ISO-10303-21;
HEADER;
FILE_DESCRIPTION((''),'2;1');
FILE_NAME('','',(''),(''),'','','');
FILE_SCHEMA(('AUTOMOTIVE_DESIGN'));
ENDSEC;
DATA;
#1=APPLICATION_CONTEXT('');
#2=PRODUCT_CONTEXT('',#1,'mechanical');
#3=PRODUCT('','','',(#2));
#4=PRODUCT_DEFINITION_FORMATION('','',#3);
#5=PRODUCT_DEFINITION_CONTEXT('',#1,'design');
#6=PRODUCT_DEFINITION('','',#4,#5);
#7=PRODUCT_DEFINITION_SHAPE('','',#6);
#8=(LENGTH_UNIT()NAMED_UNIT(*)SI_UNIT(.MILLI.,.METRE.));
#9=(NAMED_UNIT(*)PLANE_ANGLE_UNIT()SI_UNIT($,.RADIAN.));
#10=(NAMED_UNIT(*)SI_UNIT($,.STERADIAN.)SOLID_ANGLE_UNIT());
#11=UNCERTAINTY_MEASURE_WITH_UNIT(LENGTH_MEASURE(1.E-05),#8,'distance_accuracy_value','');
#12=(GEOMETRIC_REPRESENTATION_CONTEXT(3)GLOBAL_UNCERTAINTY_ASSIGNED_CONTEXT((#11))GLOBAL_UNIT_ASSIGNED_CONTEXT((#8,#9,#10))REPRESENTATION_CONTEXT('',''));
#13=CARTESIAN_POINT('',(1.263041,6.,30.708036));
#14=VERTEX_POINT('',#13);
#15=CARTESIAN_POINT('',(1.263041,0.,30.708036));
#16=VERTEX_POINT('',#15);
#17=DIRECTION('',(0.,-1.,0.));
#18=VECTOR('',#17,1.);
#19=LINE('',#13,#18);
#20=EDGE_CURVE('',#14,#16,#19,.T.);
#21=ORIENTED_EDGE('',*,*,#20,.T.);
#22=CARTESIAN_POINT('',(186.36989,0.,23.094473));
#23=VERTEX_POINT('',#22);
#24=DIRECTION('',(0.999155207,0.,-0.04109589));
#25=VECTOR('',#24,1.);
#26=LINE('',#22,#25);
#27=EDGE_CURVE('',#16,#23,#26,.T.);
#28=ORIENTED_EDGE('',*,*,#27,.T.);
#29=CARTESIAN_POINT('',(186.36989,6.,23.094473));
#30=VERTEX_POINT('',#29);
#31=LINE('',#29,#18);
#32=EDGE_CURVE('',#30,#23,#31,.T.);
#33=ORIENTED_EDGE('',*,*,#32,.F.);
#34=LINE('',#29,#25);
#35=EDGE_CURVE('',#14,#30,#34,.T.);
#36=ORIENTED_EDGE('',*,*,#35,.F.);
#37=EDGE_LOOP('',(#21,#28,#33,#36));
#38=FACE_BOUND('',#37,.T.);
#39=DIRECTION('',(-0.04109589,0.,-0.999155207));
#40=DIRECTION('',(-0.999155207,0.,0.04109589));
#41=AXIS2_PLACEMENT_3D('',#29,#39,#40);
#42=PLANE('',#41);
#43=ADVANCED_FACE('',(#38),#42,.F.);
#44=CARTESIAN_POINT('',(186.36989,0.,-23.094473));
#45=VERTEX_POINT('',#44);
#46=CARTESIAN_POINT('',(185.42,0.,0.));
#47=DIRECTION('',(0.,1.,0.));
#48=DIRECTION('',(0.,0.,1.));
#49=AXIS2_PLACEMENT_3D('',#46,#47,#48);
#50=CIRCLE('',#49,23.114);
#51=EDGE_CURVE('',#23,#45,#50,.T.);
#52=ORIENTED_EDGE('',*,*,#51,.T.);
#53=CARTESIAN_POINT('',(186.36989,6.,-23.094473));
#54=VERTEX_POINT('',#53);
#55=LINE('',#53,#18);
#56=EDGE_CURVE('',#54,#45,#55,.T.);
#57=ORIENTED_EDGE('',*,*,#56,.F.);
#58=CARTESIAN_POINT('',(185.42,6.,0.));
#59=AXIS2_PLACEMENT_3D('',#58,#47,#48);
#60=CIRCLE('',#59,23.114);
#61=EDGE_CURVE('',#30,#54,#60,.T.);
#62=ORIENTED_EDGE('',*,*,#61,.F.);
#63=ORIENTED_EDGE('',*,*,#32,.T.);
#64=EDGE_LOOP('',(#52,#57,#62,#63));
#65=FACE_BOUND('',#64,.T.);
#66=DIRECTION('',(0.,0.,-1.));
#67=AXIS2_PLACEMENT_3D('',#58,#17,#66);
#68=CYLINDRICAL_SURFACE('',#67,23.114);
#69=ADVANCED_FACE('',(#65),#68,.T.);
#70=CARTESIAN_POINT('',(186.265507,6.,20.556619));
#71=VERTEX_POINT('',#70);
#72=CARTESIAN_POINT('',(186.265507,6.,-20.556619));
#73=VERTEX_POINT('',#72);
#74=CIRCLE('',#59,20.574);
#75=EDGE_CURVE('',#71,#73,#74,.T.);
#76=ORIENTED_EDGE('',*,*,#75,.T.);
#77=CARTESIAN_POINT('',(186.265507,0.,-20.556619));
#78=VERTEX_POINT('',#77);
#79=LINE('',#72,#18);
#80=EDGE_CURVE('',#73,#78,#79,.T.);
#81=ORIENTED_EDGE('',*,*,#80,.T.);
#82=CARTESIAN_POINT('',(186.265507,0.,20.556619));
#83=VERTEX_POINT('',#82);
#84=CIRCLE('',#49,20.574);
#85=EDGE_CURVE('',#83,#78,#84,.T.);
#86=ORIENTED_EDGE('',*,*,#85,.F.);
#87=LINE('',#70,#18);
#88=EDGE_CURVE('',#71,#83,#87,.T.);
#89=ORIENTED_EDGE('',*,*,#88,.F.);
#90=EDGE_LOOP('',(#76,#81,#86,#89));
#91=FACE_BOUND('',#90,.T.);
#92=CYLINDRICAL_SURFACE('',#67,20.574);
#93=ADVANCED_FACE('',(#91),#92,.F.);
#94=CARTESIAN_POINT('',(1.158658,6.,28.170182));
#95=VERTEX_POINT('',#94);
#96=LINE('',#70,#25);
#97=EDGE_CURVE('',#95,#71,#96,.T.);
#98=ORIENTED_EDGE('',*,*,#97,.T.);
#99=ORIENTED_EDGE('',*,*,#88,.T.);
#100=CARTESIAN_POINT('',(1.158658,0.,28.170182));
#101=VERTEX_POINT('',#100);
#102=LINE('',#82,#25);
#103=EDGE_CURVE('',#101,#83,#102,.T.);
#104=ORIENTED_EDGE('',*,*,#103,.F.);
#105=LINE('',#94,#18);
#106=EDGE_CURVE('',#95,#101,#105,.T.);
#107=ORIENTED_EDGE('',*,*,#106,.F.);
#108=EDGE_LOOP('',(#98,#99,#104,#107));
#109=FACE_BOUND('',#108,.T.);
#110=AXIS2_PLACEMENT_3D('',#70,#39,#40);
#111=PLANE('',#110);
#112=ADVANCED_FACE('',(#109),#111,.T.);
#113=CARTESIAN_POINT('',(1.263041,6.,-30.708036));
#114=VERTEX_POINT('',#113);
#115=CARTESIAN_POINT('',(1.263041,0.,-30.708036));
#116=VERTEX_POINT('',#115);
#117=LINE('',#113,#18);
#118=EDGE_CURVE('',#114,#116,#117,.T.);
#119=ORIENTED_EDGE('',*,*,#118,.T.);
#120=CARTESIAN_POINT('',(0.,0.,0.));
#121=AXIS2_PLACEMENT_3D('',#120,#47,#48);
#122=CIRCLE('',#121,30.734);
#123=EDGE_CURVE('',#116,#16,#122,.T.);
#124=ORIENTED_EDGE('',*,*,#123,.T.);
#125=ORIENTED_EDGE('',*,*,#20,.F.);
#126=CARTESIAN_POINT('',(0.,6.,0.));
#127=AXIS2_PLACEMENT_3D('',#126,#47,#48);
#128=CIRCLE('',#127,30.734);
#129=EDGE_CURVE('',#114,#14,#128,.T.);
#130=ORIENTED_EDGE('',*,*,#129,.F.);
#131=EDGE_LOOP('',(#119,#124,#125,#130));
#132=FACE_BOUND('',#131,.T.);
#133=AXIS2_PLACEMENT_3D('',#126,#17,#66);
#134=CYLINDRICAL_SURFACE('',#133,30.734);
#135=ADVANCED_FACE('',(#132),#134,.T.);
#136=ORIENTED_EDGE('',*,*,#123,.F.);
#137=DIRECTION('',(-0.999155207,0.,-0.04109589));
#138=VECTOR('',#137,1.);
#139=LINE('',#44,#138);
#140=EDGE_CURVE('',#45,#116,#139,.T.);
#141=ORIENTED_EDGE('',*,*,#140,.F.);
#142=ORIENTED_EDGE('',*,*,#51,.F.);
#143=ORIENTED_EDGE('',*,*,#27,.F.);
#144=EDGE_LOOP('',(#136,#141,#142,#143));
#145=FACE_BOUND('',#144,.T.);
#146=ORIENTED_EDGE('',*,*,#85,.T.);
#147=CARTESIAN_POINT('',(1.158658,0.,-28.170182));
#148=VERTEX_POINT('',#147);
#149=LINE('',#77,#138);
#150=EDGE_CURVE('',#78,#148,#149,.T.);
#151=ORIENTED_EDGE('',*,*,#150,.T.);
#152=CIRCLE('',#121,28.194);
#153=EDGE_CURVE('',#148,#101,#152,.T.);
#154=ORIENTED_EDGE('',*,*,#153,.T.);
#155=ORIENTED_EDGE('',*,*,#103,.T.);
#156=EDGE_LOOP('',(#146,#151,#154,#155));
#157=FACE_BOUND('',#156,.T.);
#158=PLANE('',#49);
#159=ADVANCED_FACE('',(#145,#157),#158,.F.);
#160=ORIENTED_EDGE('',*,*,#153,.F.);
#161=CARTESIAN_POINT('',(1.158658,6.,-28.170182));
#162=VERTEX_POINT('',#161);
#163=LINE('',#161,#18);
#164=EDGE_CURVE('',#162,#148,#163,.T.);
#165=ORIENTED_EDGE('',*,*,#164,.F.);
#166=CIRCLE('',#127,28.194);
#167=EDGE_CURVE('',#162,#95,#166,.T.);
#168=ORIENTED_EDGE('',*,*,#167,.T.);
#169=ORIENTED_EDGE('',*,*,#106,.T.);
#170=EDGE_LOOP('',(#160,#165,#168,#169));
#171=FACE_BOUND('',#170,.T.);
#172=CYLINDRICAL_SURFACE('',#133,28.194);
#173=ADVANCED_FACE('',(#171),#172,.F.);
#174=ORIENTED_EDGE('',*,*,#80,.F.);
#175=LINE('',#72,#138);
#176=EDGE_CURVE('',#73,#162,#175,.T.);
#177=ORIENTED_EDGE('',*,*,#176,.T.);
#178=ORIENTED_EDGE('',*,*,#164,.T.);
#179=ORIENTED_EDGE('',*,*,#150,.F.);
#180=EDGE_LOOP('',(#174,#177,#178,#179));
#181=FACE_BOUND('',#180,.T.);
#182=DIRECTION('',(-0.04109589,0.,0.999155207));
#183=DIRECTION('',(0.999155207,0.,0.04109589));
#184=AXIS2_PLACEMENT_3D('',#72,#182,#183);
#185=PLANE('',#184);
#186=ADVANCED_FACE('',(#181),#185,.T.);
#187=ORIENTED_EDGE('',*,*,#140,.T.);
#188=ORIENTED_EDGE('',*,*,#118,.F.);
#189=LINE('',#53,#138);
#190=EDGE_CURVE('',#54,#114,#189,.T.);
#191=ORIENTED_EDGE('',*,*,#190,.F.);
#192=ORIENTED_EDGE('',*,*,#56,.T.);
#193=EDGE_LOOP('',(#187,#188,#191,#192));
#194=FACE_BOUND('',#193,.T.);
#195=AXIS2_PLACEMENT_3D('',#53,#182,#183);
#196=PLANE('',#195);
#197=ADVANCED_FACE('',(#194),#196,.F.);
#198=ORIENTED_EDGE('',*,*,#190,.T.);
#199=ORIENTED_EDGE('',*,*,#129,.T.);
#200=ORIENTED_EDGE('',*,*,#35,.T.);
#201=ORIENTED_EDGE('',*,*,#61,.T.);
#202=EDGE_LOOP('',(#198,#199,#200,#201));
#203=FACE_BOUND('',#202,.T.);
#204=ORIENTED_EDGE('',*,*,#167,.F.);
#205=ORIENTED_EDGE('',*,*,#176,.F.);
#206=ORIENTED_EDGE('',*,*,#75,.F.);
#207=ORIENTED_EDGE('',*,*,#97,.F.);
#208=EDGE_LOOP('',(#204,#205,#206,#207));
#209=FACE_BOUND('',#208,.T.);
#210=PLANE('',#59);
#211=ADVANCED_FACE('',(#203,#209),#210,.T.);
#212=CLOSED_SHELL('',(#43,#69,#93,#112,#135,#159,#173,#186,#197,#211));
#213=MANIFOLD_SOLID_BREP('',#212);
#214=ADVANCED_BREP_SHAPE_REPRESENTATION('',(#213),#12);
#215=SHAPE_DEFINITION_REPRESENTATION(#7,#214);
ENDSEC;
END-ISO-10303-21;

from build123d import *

# Parameters (mm, degrees)
BOSS_EXTRUDE1_DEPTH = 6


with BuildPart() as part:
    # Sketch1 → Boss-Extrude1 (new body)
    with BuildSketch(Plane(origin=(0, 0, 0), x_dir=(1, 0, 0), z_dir=(0, 1, 0))):
        with BuildLine():
            Line((186.369890411, -23.094473456), (1.263041096, -30.708036134))
            ThreePointArc((1.263041096, -30.708036134), (-30.734, 0), (1.263041096, 30.708036134))
            Line((1.263041096, 30.708036134), (186.369890411, 23.094473456))
            ThreePointArc((186.369890411, 23.094473456), (208.534, 0), (186.369890411, -23.094473456))
        make_face()
        with BuildLine():
            Line((186.265506849, -20.55661923), (1.158657534, -28.170181908))
            ThreePointArc((1.158657534, -28.170181908), (-28.194, 0), (1.158657534, 28.170181908))
            Line((1.158657534, 28.170181908), (186.265506849, 20.55661923))
            ThreePointArc((186.265506849, 20.55661923), (205.994, 0), (186.265506849, -20.55661923))
        make_face(mode=Mode.SUBTRACT)
    extrude(amount=BOSS_EXTRUDE1_DEPTH)


solid = part.part
